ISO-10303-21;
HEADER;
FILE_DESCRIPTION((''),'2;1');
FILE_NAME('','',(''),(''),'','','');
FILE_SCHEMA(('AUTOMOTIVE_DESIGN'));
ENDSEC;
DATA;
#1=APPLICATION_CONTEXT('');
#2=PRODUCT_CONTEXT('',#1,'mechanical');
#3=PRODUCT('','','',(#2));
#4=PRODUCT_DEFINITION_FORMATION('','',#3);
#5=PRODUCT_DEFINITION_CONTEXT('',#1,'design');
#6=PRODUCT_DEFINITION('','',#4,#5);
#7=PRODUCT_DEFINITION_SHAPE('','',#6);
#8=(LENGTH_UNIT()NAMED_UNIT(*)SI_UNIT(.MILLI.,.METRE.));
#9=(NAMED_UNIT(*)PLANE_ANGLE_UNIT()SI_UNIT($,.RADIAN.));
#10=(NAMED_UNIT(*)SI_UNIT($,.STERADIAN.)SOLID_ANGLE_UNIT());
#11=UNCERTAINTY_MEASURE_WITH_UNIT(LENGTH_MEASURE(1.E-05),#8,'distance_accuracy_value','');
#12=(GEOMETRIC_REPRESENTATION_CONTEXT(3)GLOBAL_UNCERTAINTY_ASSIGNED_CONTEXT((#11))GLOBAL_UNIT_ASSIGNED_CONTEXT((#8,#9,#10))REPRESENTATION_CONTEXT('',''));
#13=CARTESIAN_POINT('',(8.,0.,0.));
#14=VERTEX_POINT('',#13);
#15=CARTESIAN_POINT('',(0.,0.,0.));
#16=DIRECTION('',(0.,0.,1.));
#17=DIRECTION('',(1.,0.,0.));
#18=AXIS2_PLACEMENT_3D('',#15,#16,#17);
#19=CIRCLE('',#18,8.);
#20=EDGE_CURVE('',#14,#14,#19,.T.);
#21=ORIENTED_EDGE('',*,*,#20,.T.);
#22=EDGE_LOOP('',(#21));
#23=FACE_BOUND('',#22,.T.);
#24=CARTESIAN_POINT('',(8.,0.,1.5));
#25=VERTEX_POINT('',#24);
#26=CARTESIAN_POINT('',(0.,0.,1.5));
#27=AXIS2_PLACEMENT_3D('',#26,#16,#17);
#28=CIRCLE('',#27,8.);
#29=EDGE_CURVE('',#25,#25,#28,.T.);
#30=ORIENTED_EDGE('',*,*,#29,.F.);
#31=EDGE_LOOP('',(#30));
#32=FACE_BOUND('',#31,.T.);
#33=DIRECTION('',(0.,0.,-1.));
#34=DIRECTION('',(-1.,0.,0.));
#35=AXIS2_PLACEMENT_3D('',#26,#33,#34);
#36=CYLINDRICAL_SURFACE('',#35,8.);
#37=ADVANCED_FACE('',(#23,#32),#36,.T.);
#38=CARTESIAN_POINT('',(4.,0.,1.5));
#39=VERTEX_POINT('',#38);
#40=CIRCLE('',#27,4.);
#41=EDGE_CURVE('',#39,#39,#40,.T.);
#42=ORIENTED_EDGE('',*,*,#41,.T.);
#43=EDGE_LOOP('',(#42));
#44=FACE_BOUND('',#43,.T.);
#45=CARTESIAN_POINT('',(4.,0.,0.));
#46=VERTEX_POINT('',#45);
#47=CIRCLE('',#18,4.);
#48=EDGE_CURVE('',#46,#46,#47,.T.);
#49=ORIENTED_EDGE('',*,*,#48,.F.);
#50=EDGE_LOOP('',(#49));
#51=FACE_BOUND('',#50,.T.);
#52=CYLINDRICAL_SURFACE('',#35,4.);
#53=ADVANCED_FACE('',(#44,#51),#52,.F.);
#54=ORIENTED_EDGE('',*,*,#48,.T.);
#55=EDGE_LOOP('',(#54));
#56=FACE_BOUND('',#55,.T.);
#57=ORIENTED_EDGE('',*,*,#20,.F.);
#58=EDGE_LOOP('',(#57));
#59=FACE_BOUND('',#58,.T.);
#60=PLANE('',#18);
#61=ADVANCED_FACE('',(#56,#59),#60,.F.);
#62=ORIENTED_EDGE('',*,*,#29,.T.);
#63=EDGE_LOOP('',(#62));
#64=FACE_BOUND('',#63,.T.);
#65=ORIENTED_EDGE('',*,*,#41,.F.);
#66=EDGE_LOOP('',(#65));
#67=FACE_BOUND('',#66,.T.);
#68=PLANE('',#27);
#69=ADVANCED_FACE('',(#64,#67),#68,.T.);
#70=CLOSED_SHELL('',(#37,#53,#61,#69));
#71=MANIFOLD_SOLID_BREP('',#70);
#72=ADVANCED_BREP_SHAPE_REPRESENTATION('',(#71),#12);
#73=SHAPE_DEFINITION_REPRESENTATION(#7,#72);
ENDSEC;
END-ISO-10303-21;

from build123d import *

# Parameters (mm, degrees)
SKETCH_1_R      = 8
SKETCH_1_R_2    = 4
EXTRUDE_1_DEPTH = 1.5


with BuildPart() as part:
    # 草图1 → 凸台-拉伸1 (new body)
    with BuildSketch(Plane.XY):
        Circle(SKETCH_1_R)
        Circle(SKETCH_1_R_2, mode=Mode.SUBTRACT)
    extrude(amount=EXTRUDE_1_DEPTH)


solid = part.part
